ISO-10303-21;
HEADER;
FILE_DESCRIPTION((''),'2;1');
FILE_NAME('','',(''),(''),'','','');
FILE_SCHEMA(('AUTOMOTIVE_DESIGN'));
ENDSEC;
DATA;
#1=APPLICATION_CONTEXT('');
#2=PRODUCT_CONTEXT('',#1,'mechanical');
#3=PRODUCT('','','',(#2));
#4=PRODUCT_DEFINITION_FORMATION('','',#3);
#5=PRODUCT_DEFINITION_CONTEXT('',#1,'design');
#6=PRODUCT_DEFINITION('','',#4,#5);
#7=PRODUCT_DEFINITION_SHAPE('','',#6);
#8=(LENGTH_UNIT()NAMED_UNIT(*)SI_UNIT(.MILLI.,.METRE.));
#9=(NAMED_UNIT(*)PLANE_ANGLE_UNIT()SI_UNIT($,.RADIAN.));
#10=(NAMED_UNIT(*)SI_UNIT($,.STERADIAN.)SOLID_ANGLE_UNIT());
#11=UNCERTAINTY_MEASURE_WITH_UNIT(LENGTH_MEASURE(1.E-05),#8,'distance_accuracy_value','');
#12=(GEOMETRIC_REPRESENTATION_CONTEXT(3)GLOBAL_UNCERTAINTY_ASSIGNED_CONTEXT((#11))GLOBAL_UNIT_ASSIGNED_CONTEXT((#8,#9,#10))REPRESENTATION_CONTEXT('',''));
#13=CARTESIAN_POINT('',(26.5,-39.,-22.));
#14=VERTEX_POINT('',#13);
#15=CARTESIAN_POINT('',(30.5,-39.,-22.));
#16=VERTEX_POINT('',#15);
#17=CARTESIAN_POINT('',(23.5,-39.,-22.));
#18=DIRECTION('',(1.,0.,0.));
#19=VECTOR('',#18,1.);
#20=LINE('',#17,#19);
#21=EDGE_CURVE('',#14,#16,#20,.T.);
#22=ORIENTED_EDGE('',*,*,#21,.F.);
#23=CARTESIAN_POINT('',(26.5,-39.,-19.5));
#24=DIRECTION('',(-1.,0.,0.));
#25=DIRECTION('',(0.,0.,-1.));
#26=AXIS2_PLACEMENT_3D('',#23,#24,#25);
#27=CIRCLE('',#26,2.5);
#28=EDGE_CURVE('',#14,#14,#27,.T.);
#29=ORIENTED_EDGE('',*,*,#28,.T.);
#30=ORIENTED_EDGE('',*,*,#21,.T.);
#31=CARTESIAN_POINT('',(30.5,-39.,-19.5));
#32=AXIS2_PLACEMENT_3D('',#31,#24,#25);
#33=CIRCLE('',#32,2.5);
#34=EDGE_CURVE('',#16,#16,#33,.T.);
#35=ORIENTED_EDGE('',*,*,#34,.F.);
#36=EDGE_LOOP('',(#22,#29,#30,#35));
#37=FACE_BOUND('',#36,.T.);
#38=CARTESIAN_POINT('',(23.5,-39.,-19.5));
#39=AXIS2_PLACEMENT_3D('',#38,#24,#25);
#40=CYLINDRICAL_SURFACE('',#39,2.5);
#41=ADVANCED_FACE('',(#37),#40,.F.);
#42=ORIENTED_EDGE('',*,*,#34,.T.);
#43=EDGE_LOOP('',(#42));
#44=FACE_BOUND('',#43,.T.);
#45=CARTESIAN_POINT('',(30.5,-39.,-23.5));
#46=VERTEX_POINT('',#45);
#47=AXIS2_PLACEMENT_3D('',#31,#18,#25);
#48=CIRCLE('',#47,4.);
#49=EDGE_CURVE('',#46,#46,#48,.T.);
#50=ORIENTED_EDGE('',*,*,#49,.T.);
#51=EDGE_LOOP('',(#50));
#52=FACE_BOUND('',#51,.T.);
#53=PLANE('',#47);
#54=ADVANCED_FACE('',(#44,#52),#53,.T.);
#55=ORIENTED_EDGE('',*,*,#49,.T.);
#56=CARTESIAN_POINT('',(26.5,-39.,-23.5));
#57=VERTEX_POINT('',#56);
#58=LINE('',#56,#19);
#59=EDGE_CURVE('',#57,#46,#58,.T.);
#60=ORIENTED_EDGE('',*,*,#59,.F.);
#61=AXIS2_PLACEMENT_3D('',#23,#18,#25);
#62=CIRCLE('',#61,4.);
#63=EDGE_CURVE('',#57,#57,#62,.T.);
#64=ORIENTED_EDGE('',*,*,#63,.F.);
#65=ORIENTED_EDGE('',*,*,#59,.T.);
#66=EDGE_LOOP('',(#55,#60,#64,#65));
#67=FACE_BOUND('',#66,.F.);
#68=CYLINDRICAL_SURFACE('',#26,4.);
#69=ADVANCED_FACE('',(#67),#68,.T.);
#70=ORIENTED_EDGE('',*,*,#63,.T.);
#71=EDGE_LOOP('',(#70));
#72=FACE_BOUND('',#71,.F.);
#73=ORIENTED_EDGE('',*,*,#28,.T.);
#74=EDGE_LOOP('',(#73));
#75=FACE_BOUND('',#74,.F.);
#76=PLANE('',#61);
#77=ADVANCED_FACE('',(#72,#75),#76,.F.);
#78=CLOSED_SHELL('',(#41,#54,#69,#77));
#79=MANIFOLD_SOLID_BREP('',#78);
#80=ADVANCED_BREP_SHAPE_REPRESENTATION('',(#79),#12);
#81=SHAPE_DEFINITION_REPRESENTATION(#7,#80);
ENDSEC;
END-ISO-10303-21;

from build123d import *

# Parameters (mm, degrees)
CYLINDER012_R     = 2.5
CYLINDER012_DEPTH = 10
CYLINDER013_R     = 4
CYLINDER013_DEPTH = 4


with BuildPart() as cylinder:
    # Cylinder012 → Cylinder012 (new body)
    with BuildSketch(Plane(origin=(23.5, -39, -22), x_dir=(0, 0, -1), z_dir=(1, 0, 0))):
        Circle(CYLINDER012_R)
    extrude(amount=CYLINDER012_DEPTH)


with BuildPart() as bricksup001:
    # Cylinder013 → Cylinder013 (new body)
    with BuildSketch(Plane(origin=(26.5, -39, -22), x_dir=(0, 0, -1), z_dir=(1, 0, 0))):
        Circle(CYLINDER013_R)
    extrude(amount=CYLINDER013_DEPTH)

    # Cut007: cut Cylinder
    add(cylinder.part, mode=Mode.SUBTRACT)


with BuildPart() as bricksup001_1:
    # Cut007 placement: moved
    add(bricksup001.part.moved(Location((0, 0, 2.5))))


solid = bricksup001_1.part
